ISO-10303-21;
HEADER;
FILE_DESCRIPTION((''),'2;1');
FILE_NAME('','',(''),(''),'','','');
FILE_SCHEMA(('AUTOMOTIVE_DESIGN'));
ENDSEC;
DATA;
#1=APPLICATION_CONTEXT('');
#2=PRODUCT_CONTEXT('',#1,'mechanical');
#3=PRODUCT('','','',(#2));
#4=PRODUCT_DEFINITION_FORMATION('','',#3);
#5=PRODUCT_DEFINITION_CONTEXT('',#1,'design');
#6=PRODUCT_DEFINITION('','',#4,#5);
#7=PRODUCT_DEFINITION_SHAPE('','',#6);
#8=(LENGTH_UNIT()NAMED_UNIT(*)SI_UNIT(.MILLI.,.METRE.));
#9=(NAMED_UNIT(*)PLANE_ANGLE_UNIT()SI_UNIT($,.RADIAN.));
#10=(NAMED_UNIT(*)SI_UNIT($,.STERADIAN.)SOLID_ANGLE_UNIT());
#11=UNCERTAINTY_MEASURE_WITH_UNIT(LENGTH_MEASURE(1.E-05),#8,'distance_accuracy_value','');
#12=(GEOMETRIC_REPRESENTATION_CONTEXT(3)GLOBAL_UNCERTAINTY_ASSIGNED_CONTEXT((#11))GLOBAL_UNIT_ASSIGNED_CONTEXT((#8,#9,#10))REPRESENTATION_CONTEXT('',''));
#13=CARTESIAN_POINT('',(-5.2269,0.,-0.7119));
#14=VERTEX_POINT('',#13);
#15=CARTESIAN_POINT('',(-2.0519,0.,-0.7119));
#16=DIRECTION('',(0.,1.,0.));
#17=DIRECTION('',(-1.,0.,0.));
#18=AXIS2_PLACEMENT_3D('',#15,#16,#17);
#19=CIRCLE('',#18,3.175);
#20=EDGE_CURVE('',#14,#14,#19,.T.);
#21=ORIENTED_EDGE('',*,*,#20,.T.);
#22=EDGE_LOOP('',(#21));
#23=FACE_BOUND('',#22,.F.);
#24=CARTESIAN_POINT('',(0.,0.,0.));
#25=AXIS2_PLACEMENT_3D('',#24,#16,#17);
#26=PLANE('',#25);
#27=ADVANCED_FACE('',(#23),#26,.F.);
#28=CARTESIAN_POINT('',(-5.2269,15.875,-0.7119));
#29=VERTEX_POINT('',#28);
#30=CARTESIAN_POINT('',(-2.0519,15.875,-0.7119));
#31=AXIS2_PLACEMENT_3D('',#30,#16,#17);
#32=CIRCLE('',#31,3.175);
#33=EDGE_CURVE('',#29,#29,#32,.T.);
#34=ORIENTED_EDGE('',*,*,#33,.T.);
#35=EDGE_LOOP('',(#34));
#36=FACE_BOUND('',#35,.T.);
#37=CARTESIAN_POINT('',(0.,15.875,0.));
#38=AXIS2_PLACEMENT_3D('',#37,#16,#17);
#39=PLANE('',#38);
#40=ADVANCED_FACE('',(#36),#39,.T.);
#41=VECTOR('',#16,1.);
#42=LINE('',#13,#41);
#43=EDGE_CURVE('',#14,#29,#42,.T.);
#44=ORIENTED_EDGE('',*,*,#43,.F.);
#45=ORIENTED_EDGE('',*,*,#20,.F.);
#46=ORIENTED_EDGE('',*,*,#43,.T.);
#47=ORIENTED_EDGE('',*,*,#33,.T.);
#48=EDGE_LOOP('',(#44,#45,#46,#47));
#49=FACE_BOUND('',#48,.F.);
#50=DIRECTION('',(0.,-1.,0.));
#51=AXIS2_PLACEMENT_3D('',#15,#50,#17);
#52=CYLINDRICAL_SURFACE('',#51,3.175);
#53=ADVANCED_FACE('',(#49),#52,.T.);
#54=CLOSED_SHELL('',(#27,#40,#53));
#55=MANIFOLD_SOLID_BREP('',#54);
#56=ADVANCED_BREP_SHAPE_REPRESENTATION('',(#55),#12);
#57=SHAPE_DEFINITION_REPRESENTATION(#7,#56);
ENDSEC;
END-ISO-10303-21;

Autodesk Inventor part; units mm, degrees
ref_plane "YZ Plane" through (0, 0, 0) normal (1, 0, 0) x (0, 1, 0)
ref_plane "XZ Plane" through (0, 0, 0) normal (0, 1, 0) x (-1, 0, 0)
ref_plane "XY Plane" through (0, 0, 0) normal (0, 0, 1) x (1, 0, 0)
sketch "Sketch1" plane through (0, 0, 0) normal (0, 1, 0) x (-1, 0, 0)
  circle A0 centre (2.0519, -0.7119) radius 3.175
  point P0 (0, 0)
  dimension "d1" = 6.35
extrude "Extrusion1" add sketch "Sketch1" along normal blind 15.875
properties part number "Spacer"
